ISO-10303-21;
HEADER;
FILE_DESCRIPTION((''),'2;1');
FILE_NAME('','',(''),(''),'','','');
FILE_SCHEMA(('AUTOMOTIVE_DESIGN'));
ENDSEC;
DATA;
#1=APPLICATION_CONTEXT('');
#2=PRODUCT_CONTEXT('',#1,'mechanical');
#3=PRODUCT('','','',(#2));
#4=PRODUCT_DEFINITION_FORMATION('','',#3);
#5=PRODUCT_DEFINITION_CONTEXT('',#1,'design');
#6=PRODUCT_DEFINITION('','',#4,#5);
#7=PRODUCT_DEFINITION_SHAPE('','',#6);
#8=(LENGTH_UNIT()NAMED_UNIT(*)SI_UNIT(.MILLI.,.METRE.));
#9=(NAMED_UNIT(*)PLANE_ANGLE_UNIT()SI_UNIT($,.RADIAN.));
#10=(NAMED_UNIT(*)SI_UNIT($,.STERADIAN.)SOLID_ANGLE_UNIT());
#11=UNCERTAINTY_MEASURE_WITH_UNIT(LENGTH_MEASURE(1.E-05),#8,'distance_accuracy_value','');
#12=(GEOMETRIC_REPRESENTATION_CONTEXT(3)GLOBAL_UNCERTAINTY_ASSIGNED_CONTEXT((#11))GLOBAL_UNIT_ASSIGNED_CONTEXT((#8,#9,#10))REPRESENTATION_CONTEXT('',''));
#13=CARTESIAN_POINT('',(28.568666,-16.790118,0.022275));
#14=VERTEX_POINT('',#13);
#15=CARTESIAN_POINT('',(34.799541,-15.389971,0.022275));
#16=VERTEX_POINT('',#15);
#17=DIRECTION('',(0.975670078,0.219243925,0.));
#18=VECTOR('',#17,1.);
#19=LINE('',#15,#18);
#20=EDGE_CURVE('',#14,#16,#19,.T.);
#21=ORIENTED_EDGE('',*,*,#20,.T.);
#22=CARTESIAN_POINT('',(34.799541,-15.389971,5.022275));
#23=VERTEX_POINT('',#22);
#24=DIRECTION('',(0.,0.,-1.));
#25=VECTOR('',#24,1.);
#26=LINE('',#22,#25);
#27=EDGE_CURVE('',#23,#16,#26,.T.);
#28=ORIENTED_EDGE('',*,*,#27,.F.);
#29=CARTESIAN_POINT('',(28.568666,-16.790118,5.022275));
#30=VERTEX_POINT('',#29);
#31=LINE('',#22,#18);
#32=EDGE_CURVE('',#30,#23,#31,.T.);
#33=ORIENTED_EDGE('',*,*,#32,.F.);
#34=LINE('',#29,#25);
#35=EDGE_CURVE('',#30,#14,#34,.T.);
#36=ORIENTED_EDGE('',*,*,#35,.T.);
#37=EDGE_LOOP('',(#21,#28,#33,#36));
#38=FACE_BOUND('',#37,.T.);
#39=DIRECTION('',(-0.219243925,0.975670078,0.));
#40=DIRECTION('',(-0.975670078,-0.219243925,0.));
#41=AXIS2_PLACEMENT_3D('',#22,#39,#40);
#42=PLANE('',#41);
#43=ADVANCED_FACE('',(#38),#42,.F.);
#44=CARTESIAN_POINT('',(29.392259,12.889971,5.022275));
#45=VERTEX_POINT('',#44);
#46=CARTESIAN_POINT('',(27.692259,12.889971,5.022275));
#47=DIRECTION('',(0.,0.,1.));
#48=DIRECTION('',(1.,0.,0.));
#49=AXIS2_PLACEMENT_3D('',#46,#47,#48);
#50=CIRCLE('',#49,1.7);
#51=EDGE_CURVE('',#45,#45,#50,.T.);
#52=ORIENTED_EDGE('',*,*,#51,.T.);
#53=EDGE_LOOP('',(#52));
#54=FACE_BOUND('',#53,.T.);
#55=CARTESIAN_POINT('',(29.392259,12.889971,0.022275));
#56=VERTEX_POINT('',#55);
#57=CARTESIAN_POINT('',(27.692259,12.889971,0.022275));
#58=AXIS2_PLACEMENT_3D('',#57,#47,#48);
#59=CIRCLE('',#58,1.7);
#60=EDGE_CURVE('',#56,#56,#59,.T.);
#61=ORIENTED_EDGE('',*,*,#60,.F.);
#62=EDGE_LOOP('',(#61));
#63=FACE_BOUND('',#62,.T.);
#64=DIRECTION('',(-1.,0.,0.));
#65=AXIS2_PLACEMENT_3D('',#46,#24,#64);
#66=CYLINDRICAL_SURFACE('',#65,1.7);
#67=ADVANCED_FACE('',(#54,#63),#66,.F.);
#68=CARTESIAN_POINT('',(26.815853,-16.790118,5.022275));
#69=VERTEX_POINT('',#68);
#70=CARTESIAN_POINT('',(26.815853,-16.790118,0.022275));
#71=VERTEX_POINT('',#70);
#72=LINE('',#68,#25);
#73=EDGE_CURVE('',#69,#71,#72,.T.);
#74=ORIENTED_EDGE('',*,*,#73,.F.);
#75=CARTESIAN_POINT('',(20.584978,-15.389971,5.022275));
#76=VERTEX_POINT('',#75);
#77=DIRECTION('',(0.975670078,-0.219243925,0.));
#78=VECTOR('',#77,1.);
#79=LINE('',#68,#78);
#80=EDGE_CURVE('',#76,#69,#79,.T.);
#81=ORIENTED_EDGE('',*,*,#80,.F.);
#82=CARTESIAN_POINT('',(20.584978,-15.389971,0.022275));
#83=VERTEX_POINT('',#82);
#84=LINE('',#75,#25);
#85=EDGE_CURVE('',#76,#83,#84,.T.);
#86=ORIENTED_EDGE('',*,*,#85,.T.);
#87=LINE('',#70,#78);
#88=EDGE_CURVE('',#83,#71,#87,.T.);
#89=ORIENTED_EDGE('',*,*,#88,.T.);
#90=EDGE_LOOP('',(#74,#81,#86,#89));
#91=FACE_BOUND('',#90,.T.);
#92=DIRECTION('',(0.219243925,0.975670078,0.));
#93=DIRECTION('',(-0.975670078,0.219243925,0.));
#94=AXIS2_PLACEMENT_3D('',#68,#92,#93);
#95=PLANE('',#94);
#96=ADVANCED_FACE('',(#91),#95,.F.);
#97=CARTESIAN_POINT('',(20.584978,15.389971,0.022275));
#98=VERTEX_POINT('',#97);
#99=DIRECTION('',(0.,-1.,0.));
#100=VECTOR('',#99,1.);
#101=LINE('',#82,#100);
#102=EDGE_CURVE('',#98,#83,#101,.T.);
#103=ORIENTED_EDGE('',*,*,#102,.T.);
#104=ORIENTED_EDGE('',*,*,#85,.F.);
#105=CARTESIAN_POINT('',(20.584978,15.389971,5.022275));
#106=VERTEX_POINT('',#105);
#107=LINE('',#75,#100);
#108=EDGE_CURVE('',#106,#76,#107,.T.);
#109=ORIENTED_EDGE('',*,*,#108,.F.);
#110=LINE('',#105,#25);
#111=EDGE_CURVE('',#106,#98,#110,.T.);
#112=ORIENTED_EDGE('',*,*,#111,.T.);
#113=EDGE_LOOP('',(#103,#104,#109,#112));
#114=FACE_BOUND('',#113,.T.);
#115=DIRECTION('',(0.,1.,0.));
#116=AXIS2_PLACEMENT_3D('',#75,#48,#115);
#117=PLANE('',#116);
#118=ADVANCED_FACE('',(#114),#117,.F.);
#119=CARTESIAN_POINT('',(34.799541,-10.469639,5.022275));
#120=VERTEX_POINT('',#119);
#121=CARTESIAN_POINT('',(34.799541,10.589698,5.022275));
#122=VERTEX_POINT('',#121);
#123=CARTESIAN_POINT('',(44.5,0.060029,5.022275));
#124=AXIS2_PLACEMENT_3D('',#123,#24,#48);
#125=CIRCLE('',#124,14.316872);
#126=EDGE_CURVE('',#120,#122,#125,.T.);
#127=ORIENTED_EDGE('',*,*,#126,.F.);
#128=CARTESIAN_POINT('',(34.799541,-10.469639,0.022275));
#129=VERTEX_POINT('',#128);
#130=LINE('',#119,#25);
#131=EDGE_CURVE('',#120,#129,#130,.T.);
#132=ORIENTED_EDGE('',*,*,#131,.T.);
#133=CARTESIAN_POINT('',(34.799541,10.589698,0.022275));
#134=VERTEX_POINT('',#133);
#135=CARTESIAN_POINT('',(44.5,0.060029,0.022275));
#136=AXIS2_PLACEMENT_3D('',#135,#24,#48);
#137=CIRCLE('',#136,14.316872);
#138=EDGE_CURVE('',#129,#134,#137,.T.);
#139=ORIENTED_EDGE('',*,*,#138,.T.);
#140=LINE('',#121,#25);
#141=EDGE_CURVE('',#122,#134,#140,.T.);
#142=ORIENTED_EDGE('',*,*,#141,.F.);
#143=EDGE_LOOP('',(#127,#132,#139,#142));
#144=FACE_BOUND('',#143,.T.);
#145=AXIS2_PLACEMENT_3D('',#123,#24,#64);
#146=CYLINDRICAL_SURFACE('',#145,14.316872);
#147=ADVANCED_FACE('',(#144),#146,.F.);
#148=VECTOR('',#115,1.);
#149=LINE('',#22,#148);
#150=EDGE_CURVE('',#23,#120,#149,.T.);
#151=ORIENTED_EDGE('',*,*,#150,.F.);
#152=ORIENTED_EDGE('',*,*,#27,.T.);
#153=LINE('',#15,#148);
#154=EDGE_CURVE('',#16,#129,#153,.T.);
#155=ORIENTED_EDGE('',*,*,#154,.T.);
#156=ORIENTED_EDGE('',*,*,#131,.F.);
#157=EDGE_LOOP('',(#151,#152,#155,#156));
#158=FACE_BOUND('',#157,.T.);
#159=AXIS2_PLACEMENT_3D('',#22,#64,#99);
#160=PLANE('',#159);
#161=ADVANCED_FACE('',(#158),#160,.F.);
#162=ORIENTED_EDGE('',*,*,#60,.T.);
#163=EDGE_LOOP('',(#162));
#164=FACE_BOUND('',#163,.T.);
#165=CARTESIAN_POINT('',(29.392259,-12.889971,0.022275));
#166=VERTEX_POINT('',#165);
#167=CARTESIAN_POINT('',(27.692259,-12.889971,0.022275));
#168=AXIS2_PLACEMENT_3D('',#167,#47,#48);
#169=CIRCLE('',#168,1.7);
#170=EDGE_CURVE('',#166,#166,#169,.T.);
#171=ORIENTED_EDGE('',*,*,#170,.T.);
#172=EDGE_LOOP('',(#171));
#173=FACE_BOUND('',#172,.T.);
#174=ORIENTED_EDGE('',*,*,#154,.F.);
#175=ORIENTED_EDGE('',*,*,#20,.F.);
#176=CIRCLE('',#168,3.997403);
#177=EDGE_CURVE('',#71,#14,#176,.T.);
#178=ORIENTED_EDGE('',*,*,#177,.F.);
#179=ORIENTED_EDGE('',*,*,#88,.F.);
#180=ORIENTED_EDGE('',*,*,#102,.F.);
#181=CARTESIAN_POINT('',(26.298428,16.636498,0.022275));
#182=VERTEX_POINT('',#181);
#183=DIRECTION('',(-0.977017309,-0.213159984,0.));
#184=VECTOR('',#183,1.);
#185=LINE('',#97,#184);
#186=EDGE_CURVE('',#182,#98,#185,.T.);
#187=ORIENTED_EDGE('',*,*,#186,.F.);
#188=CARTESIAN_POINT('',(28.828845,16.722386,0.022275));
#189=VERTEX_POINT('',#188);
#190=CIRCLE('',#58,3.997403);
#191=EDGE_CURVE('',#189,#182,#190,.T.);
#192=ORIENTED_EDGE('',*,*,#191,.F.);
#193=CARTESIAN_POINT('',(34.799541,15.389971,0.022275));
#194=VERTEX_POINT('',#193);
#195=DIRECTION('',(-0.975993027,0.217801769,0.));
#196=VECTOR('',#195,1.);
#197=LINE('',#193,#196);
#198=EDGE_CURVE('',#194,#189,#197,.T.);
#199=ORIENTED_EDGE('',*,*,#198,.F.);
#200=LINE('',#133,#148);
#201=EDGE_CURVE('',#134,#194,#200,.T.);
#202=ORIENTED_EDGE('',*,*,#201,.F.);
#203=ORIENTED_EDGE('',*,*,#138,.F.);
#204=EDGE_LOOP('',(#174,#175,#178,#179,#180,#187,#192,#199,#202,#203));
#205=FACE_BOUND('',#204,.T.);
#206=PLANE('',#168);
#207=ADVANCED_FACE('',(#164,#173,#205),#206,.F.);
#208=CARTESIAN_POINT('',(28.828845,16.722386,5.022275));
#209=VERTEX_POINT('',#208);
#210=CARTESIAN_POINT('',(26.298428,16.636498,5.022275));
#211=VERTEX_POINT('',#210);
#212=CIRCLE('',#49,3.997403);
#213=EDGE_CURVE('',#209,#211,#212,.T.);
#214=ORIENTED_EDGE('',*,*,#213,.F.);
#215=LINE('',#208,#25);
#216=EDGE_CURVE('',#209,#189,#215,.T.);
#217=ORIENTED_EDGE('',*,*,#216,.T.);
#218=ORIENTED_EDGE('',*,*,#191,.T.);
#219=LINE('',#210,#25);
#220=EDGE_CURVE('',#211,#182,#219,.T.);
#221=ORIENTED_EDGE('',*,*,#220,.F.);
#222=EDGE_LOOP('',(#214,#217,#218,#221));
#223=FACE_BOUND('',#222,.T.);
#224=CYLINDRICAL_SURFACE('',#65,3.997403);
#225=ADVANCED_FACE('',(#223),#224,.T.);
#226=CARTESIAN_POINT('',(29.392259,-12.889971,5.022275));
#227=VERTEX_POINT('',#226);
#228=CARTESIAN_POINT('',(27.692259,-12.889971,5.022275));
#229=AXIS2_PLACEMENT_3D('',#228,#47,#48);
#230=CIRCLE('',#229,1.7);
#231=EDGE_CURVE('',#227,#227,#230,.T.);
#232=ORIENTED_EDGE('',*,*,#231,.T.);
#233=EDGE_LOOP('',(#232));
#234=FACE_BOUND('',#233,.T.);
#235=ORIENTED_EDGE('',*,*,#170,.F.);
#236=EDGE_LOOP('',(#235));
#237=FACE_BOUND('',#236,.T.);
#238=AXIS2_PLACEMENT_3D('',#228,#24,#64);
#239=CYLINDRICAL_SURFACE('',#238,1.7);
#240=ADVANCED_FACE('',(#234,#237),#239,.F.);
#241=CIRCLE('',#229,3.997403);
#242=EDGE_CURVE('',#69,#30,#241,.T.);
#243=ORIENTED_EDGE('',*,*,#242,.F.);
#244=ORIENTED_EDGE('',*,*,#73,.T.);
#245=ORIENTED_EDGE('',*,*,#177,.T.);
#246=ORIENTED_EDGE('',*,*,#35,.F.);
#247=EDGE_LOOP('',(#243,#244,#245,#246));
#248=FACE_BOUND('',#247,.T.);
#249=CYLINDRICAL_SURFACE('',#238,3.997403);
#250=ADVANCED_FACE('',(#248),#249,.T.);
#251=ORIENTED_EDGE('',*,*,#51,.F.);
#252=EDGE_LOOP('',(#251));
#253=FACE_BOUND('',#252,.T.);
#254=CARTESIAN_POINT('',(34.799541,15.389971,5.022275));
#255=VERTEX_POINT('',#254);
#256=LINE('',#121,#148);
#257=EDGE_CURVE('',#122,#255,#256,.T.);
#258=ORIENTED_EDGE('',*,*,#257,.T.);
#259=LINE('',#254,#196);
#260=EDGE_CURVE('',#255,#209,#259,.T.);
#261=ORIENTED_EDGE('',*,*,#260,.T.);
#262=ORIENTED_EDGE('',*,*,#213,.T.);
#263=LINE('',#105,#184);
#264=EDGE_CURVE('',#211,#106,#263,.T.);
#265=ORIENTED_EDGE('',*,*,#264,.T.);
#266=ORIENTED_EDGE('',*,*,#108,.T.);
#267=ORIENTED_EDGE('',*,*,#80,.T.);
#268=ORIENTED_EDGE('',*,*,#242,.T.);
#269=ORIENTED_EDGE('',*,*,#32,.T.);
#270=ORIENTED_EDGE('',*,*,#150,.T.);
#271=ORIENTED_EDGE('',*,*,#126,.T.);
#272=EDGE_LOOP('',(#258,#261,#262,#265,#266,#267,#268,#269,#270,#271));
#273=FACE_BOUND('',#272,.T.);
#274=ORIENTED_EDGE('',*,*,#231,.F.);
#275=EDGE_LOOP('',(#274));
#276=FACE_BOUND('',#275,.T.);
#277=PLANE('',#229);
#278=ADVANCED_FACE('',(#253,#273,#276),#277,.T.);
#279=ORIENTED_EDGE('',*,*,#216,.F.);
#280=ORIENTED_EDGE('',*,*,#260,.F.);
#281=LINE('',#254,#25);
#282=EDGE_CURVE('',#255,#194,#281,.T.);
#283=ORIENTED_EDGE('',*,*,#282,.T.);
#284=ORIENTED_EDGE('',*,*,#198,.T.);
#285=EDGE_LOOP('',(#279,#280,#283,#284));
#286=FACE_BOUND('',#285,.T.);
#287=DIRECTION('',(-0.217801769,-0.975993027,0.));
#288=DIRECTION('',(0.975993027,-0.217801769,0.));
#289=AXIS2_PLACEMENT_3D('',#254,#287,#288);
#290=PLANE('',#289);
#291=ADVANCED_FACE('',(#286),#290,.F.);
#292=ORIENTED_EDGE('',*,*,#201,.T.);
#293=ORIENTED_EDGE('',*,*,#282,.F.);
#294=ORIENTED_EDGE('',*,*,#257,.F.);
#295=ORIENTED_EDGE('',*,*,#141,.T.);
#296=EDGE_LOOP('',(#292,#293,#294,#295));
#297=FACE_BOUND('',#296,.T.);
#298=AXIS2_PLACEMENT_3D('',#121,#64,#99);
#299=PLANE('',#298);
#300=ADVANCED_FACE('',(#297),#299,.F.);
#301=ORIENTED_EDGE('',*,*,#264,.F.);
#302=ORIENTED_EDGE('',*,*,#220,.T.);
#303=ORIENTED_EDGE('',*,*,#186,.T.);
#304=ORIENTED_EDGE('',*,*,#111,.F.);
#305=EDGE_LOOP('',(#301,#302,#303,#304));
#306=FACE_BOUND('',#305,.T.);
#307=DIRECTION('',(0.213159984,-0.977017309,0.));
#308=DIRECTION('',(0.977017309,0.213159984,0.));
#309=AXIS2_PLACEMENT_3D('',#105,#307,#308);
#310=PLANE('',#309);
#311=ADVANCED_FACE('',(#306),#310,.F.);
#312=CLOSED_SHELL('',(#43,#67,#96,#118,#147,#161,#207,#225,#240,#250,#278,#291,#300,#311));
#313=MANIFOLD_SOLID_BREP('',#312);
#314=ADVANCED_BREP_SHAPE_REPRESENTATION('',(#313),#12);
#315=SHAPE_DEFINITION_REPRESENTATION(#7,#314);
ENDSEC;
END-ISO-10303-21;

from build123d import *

# Parameters (mm, degrees)
SKETCH2_R           = 1.7
BOSS_EXTRUDE1_DEPTH = 5


with BuildPart() as part:
    # Sketch2 → Boss-Extrude1 (new body)
    with BuildSketch(Plane.XY.offset(0.022274507)):
        with BuildLine():
            Line((26.815853016, -16.790117538), (20.584977895, -15.389970557))
            Line((20.584977895, -15.389970557), (20.584977895, 15.389970557))
            Line((20.584977895, 15.389970557), (26.298427654, 16.636497968))
            ThreePointArc((26.298427654, 16.636497968), (27.556656853, 16.885073389), (28.828845221, 16.722385915))
            Line((28.828845221, 16.722385915), (34.799540996, 15.389970557))
            Line((34.799540996, 15.389970557), (34.799540996, 10.589698359))
            ThreePointArc((34.799540996, 10.589698359), (30.183127704, 0.060029443), (34.799540996, -10.469639472))
            Line((34.799540996, -10.469639472), (34.799540996, -15.389970557))
            Line((34.799540996, -15.389970557), (28.568665876, -16.790117538))
            ThreePointArc((28.568665876, -16.790117538), (27.692259446, -16.887374052), (26.815853016, -16.790117538))
        make_face()
        with Locations((27.692259446, -12.889970557)):
            Circle(SKETCH2_R, mode=Mode.SUBTRACT)
        with Locations((27.692259446, 12.889970557)):
            Circle(SKETCH2_R, mode=Mode.SUBTRACT)
    extrude(amount=BOSS_EXTRUDE1_DEPTH)


solid = part.part
